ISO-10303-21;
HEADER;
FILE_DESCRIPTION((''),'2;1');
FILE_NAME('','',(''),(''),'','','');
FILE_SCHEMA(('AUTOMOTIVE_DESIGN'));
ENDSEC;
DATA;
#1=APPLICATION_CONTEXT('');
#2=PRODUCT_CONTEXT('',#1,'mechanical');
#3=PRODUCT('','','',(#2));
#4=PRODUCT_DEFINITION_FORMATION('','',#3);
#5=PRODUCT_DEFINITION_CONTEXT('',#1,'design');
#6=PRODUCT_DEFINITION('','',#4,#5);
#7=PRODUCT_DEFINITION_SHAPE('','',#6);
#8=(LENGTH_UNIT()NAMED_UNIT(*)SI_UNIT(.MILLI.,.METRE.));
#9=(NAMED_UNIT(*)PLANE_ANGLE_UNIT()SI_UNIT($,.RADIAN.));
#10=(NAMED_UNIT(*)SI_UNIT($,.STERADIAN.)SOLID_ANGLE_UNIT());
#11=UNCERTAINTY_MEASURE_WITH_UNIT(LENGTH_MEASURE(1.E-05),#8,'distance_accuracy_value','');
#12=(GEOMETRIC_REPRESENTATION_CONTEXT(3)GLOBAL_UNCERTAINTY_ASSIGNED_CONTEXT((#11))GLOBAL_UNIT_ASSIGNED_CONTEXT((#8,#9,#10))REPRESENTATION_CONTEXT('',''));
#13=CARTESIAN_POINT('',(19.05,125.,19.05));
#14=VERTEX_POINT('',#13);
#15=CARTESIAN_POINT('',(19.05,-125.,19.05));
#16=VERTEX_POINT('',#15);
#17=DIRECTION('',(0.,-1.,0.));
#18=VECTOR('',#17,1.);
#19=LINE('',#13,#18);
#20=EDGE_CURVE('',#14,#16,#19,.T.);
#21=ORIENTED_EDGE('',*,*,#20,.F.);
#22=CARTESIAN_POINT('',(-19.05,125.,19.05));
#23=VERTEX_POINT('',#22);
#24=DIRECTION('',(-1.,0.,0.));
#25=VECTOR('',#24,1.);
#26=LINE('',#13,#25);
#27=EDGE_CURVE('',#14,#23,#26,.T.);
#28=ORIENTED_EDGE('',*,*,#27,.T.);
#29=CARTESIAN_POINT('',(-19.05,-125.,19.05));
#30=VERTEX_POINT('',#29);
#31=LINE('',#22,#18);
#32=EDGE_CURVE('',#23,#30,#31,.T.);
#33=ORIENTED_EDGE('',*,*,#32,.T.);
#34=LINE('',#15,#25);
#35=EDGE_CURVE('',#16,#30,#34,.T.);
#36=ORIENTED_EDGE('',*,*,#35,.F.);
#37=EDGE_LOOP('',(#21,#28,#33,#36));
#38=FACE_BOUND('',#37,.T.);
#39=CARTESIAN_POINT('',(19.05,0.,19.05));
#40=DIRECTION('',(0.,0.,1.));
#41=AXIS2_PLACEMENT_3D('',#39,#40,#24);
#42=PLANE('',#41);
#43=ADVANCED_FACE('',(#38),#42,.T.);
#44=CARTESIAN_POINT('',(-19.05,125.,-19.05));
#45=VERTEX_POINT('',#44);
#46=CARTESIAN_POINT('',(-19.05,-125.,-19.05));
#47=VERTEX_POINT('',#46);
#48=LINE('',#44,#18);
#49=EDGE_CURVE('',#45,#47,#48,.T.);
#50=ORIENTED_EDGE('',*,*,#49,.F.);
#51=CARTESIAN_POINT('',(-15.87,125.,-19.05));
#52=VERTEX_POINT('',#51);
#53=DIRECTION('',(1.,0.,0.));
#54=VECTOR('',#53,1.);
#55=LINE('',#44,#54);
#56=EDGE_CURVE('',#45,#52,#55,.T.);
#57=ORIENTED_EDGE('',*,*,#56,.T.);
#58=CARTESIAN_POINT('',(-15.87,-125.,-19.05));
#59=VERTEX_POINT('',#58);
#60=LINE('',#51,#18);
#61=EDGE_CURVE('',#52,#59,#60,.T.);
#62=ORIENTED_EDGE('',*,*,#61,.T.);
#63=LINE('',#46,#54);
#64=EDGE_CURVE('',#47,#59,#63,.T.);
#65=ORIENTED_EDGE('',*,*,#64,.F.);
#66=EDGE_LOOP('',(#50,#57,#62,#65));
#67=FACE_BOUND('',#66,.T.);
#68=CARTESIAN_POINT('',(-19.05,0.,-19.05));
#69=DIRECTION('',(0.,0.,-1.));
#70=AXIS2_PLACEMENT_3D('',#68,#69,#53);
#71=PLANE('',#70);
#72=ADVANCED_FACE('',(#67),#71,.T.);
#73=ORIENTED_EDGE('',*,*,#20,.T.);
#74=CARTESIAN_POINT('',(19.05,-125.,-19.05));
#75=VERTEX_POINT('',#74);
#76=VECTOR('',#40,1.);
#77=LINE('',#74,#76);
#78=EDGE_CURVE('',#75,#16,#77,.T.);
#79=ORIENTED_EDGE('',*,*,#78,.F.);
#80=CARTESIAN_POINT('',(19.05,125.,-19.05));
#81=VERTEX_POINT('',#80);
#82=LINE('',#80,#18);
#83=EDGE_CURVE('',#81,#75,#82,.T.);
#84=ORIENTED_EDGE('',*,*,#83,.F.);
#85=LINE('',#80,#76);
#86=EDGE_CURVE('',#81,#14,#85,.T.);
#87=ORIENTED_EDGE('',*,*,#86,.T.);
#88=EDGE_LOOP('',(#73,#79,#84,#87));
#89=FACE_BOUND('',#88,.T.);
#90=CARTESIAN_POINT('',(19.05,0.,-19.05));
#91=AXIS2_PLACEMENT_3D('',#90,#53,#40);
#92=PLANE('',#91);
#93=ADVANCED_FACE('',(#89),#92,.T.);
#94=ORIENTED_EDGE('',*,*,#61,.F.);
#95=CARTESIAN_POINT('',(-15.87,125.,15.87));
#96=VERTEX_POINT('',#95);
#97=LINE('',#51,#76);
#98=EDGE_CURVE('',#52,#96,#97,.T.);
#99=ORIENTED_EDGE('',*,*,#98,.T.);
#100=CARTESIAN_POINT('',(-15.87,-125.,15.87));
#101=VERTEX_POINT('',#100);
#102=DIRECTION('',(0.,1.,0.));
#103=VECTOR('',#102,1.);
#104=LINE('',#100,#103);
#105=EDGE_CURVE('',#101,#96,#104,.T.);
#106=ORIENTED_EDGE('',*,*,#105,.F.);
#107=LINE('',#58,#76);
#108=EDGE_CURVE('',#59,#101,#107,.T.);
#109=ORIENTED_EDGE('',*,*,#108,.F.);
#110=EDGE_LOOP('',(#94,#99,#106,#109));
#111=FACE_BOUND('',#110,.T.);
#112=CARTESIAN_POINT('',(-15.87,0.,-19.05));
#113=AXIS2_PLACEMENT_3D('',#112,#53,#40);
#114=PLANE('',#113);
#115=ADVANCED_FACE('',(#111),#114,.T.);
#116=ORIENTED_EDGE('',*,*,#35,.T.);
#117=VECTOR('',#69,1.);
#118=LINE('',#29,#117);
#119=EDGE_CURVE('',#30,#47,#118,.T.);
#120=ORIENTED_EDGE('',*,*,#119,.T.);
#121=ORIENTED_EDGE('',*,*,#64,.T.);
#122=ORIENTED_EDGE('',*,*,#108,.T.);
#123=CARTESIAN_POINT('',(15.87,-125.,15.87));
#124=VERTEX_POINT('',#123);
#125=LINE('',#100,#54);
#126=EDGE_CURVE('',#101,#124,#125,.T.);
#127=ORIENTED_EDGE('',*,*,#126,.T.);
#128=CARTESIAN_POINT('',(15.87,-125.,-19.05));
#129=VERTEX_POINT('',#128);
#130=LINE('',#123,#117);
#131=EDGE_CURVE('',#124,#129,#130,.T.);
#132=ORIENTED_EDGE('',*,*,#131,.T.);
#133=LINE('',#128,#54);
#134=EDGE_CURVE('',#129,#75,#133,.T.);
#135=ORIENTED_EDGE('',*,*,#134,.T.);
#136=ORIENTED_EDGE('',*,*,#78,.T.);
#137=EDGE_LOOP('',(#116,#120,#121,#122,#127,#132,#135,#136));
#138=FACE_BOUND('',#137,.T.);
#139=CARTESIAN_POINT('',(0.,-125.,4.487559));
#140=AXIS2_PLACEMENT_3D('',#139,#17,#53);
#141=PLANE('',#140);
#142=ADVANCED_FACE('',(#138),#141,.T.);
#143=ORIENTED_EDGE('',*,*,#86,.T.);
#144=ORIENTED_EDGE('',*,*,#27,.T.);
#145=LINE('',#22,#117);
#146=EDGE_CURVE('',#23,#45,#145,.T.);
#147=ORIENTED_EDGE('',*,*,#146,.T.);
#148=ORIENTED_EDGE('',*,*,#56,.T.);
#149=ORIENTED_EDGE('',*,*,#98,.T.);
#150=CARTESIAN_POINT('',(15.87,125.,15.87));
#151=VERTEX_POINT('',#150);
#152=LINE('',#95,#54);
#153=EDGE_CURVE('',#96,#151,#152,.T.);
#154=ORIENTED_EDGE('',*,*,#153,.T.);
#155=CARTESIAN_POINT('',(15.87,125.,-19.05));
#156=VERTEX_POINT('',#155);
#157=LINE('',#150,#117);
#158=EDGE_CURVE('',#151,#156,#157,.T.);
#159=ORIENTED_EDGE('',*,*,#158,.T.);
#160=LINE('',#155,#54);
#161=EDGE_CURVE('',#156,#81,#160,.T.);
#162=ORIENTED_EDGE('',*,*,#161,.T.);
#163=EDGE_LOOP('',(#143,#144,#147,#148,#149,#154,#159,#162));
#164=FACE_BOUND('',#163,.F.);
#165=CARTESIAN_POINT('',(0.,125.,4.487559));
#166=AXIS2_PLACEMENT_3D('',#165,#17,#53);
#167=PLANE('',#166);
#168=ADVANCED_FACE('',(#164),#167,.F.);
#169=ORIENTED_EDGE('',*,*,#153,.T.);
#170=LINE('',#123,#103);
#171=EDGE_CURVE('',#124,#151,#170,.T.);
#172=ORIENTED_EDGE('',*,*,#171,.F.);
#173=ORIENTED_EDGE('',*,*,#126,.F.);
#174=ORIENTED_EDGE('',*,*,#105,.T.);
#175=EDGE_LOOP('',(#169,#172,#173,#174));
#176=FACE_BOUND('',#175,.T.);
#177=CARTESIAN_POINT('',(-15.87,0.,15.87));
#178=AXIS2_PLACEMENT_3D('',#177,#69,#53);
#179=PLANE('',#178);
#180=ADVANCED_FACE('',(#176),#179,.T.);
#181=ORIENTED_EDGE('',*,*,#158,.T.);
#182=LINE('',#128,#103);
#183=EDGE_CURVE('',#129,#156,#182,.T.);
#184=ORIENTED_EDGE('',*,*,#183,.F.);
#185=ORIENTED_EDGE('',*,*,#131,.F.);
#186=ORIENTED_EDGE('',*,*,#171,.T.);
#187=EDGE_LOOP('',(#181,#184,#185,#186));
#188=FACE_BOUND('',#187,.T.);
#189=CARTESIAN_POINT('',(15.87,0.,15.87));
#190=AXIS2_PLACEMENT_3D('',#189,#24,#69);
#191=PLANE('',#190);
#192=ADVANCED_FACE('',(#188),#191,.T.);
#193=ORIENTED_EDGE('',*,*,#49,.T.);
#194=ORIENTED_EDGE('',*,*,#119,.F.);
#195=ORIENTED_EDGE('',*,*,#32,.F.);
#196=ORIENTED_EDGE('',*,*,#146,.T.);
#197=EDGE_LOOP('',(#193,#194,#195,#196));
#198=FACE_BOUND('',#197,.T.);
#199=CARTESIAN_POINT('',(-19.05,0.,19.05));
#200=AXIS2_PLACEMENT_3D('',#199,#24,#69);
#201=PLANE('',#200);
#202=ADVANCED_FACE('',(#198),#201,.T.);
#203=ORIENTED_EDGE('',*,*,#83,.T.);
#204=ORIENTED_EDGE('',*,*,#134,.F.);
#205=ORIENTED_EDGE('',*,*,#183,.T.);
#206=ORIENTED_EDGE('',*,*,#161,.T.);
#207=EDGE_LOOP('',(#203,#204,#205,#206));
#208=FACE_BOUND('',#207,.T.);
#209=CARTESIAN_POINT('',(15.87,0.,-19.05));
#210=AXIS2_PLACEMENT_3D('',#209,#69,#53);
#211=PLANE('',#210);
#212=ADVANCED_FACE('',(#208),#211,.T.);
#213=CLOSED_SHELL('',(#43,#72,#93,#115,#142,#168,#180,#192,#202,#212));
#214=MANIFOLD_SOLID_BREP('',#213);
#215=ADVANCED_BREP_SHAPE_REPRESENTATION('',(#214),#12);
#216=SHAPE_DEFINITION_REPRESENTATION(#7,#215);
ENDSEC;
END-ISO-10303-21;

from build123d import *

# Parameters (mm, degrees)
F1_DEPTH      = 125
F1_DEPTH_BACK = 125


with BuildPart() as f1:
    # F0 (on Front) → F1 (new body, two sides)
    with BuildSketch(Plane.XZ) as f1_sk:
        Polygon((15.87, -19.05), (19.05, -19.05), (19.05, 19.05), (-19.05, 19.05), (-19.05, -19.05), (-15.87, -19.05), (-15.87, 15.87), (15.87, 15.87), align=None)
    extrude(amount=F1_DEPTH)
    extrude(f1_sk.sketch, amount=-F1_DEPTH_BACK)


solid = f1.part
